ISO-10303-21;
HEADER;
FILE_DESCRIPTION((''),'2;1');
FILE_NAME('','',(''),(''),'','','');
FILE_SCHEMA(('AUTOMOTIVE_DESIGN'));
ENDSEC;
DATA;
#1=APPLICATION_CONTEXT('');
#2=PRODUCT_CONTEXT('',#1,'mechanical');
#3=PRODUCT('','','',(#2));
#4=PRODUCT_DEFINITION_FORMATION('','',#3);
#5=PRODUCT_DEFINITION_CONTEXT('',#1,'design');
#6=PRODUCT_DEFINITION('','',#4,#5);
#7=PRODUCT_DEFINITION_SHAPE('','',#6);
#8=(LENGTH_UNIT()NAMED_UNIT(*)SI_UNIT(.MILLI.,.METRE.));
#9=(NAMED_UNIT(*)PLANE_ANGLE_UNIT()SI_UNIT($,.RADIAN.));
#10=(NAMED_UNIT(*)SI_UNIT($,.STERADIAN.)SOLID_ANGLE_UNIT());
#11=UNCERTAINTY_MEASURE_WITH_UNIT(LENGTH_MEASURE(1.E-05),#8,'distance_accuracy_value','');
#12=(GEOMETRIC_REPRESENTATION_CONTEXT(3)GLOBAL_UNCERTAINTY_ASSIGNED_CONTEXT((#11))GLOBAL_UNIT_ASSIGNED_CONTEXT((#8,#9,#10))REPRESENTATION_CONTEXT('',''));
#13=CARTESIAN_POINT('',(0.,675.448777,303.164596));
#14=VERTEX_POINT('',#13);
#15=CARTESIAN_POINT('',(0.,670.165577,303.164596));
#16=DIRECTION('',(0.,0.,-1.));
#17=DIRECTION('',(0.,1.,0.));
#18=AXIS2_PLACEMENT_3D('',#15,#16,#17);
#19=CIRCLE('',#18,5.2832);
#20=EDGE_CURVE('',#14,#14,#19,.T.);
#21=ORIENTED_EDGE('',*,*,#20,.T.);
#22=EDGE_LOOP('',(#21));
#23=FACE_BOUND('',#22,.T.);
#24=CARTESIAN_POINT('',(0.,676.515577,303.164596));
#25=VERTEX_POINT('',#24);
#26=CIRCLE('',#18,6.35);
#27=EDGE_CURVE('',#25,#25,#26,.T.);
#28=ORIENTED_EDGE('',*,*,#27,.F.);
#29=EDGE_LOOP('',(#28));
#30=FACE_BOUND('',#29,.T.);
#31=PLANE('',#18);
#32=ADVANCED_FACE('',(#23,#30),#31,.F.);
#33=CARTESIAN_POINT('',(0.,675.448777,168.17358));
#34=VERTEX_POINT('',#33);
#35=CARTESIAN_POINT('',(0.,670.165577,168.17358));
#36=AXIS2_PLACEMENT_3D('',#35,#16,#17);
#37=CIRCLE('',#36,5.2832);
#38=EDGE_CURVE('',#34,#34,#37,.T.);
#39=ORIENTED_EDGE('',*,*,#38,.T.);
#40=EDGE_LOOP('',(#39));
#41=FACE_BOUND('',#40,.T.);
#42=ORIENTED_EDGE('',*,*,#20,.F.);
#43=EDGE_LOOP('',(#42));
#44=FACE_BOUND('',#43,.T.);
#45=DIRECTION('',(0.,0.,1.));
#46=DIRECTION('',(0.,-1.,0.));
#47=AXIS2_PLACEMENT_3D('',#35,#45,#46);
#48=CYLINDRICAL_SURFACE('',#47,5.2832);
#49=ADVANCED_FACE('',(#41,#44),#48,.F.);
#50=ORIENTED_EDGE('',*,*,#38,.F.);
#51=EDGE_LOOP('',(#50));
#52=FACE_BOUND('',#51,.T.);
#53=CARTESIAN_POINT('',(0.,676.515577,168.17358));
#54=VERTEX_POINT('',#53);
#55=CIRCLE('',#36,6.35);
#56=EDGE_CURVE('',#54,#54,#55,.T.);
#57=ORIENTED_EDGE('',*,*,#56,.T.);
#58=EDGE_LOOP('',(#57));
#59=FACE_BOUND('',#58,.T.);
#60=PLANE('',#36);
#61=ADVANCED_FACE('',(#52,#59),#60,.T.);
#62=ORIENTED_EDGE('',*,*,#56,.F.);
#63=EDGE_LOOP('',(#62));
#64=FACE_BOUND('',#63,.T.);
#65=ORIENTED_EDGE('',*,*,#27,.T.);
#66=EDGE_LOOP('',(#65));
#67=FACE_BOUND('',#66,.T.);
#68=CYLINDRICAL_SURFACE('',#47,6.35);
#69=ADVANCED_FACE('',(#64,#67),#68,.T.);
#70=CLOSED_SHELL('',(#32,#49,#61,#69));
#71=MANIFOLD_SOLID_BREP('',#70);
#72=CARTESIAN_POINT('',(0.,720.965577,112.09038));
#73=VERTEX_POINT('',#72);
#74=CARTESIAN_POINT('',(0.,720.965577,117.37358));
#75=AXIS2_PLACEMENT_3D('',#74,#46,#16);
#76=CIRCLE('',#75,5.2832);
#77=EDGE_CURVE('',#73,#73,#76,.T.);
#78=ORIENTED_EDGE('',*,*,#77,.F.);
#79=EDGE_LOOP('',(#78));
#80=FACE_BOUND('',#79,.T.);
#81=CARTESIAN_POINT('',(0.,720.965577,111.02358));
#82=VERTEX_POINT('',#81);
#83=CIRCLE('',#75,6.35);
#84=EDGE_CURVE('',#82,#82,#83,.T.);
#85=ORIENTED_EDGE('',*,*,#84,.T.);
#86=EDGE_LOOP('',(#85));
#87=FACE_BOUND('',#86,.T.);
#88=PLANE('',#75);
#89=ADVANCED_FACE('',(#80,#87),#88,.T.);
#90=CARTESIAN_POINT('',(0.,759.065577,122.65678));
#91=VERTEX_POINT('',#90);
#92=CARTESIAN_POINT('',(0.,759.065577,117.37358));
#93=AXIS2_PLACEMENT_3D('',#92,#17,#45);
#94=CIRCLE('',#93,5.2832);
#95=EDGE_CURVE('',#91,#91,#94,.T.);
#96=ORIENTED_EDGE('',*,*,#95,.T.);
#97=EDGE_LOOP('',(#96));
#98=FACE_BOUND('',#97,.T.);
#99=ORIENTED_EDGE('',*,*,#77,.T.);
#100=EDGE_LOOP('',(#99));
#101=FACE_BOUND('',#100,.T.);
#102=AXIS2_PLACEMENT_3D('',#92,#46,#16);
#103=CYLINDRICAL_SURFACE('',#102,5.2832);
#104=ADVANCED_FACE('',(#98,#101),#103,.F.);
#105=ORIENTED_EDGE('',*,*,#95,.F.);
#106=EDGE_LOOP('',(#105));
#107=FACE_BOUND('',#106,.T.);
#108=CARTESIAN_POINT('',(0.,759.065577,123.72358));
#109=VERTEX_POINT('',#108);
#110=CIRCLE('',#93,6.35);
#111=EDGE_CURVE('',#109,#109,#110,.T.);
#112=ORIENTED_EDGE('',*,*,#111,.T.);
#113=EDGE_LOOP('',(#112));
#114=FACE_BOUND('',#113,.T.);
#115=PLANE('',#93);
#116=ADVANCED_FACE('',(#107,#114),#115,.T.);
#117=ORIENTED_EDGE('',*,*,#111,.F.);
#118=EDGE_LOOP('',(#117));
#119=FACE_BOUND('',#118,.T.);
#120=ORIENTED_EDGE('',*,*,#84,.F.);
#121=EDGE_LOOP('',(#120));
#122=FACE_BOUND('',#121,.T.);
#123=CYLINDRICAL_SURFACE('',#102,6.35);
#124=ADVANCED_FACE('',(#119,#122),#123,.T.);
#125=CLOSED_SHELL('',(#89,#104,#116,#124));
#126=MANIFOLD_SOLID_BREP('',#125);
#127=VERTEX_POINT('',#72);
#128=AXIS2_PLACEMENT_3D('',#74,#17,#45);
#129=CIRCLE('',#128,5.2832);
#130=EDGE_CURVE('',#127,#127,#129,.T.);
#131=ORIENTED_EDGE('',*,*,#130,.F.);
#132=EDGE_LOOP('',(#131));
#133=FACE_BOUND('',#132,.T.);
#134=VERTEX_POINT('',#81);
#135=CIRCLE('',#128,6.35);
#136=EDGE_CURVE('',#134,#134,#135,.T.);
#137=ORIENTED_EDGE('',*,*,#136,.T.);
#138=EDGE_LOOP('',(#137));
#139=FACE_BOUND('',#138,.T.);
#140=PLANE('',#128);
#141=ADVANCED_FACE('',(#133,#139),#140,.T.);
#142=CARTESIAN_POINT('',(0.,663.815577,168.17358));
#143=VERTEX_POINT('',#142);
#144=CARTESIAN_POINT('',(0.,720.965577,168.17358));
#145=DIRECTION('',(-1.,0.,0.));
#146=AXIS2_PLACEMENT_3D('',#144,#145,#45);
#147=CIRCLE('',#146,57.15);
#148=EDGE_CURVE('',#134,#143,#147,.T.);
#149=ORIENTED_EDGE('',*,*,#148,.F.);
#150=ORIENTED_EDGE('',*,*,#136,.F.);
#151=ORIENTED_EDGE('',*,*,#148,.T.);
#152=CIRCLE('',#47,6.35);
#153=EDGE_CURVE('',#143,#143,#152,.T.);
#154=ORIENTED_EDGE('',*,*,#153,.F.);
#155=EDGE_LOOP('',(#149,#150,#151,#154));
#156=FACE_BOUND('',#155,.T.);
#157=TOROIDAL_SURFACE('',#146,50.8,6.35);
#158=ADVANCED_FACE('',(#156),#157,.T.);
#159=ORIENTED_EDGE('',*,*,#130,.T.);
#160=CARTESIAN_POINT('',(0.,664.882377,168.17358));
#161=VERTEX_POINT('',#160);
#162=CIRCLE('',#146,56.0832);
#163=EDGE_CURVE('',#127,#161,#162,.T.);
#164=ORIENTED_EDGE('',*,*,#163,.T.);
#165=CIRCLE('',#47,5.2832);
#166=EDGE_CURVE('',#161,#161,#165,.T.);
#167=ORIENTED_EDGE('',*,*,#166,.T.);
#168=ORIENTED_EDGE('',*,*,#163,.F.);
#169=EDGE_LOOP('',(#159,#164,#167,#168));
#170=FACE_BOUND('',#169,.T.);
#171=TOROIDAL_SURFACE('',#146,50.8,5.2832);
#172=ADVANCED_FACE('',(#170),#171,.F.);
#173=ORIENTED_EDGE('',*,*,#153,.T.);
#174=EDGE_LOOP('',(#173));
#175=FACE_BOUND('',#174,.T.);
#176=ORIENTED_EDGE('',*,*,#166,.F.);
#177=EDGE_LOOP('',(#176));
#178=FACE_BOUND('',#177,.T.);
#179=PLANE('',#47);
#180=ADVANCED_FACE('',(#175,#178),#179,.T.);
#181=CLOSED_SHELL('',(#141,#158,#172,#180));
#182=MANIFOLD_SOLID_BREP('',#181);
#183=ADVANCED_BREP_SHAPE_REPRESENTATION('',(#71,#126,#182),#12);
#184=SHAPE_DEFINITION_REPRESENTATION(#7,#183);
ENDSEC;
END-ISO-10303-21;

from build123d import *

# Parameters (mm, degrees)
SKETCH11_R                = 6.35
SKETCH11_R_2              = 5.2832
PIPE_0_5_SCH_40_1_DEPTH   = 134.99101558
SKETCH11_ON_SEGMENT_2_R   = 6.35
SKETCH11_ON_SEGMENT_2_R_2 = 5.2832
PIPE_0_5_SCH_40_1_2_ANGLE = 90
SKETCH11_ON_SEGMENT_3_R   = 6.35
SKETCH11_ON_SEGMENT_3_R_2 = 5.2832
PIPE_0_5_SCH_40_1_3_DEPTH = 38.1


with BuildPart() as part:
    # Sketch11 → Pipe 0.5 SCH 40(1) (new body)
    with BuildSketch(Plane(origin=(0, 670.165576631, 303.164595711), x_dir=(0, 1, 0), z_dir=(0, 0, -1))):
        Circle(SKETCH11_R)
        Circle(SKETCH11_R_2, mode=Mode.SUBTRACT)
    extrude(amount=PIPE_0_5_SCH_40_1_DEPTH)


with BuildPart() as body_2:
    # Sketch11 on segment 2 (carried to the start of arc 2) → Pipe 0.5 SCH 40_1 2 (revolve)
    with BuildSketch(Plane(origin=(0, 670.165576631, 168.173580131), x_dir=(0, 1, 0), z_dir=(0, 0, -1))):
        Circle(SKETCH11_ON_SEGMENT_2_R)
        Circle(SKETCH11_ON_SEGMENT_2_R_2, mode=Mode.SUBTRACT)
    revolve(axis=Axis((0, 720.965576631, 168.173580131), (1, 0, 0)), revolution_arc=PIPE_0_5_SCH_40_1_2_ANGLE)


with BuildPart() as body_3:
    # Sketch11 on segment 3 (carried to segment 3) → Pipe 0.5 SCH 40_1 3 (new body)
    with BuildSketch(Plane(origin=(0, 720.965576631, 117.373580131), x_dir=(0, 0, 1), z_dir=(0, 1, 0))):
        Circle(SKETCH11_ON_SEGMENT_3_R)
        Circle(SKETCH11_ON_SEGMENT_3_R_2, mode=Mode.SUBTRACT)
    extrude(amount=PIPE_0_5_SCH_40_1_3_DEPTH)


solid = Compound([part.part, body_2.part, body_3.part])
